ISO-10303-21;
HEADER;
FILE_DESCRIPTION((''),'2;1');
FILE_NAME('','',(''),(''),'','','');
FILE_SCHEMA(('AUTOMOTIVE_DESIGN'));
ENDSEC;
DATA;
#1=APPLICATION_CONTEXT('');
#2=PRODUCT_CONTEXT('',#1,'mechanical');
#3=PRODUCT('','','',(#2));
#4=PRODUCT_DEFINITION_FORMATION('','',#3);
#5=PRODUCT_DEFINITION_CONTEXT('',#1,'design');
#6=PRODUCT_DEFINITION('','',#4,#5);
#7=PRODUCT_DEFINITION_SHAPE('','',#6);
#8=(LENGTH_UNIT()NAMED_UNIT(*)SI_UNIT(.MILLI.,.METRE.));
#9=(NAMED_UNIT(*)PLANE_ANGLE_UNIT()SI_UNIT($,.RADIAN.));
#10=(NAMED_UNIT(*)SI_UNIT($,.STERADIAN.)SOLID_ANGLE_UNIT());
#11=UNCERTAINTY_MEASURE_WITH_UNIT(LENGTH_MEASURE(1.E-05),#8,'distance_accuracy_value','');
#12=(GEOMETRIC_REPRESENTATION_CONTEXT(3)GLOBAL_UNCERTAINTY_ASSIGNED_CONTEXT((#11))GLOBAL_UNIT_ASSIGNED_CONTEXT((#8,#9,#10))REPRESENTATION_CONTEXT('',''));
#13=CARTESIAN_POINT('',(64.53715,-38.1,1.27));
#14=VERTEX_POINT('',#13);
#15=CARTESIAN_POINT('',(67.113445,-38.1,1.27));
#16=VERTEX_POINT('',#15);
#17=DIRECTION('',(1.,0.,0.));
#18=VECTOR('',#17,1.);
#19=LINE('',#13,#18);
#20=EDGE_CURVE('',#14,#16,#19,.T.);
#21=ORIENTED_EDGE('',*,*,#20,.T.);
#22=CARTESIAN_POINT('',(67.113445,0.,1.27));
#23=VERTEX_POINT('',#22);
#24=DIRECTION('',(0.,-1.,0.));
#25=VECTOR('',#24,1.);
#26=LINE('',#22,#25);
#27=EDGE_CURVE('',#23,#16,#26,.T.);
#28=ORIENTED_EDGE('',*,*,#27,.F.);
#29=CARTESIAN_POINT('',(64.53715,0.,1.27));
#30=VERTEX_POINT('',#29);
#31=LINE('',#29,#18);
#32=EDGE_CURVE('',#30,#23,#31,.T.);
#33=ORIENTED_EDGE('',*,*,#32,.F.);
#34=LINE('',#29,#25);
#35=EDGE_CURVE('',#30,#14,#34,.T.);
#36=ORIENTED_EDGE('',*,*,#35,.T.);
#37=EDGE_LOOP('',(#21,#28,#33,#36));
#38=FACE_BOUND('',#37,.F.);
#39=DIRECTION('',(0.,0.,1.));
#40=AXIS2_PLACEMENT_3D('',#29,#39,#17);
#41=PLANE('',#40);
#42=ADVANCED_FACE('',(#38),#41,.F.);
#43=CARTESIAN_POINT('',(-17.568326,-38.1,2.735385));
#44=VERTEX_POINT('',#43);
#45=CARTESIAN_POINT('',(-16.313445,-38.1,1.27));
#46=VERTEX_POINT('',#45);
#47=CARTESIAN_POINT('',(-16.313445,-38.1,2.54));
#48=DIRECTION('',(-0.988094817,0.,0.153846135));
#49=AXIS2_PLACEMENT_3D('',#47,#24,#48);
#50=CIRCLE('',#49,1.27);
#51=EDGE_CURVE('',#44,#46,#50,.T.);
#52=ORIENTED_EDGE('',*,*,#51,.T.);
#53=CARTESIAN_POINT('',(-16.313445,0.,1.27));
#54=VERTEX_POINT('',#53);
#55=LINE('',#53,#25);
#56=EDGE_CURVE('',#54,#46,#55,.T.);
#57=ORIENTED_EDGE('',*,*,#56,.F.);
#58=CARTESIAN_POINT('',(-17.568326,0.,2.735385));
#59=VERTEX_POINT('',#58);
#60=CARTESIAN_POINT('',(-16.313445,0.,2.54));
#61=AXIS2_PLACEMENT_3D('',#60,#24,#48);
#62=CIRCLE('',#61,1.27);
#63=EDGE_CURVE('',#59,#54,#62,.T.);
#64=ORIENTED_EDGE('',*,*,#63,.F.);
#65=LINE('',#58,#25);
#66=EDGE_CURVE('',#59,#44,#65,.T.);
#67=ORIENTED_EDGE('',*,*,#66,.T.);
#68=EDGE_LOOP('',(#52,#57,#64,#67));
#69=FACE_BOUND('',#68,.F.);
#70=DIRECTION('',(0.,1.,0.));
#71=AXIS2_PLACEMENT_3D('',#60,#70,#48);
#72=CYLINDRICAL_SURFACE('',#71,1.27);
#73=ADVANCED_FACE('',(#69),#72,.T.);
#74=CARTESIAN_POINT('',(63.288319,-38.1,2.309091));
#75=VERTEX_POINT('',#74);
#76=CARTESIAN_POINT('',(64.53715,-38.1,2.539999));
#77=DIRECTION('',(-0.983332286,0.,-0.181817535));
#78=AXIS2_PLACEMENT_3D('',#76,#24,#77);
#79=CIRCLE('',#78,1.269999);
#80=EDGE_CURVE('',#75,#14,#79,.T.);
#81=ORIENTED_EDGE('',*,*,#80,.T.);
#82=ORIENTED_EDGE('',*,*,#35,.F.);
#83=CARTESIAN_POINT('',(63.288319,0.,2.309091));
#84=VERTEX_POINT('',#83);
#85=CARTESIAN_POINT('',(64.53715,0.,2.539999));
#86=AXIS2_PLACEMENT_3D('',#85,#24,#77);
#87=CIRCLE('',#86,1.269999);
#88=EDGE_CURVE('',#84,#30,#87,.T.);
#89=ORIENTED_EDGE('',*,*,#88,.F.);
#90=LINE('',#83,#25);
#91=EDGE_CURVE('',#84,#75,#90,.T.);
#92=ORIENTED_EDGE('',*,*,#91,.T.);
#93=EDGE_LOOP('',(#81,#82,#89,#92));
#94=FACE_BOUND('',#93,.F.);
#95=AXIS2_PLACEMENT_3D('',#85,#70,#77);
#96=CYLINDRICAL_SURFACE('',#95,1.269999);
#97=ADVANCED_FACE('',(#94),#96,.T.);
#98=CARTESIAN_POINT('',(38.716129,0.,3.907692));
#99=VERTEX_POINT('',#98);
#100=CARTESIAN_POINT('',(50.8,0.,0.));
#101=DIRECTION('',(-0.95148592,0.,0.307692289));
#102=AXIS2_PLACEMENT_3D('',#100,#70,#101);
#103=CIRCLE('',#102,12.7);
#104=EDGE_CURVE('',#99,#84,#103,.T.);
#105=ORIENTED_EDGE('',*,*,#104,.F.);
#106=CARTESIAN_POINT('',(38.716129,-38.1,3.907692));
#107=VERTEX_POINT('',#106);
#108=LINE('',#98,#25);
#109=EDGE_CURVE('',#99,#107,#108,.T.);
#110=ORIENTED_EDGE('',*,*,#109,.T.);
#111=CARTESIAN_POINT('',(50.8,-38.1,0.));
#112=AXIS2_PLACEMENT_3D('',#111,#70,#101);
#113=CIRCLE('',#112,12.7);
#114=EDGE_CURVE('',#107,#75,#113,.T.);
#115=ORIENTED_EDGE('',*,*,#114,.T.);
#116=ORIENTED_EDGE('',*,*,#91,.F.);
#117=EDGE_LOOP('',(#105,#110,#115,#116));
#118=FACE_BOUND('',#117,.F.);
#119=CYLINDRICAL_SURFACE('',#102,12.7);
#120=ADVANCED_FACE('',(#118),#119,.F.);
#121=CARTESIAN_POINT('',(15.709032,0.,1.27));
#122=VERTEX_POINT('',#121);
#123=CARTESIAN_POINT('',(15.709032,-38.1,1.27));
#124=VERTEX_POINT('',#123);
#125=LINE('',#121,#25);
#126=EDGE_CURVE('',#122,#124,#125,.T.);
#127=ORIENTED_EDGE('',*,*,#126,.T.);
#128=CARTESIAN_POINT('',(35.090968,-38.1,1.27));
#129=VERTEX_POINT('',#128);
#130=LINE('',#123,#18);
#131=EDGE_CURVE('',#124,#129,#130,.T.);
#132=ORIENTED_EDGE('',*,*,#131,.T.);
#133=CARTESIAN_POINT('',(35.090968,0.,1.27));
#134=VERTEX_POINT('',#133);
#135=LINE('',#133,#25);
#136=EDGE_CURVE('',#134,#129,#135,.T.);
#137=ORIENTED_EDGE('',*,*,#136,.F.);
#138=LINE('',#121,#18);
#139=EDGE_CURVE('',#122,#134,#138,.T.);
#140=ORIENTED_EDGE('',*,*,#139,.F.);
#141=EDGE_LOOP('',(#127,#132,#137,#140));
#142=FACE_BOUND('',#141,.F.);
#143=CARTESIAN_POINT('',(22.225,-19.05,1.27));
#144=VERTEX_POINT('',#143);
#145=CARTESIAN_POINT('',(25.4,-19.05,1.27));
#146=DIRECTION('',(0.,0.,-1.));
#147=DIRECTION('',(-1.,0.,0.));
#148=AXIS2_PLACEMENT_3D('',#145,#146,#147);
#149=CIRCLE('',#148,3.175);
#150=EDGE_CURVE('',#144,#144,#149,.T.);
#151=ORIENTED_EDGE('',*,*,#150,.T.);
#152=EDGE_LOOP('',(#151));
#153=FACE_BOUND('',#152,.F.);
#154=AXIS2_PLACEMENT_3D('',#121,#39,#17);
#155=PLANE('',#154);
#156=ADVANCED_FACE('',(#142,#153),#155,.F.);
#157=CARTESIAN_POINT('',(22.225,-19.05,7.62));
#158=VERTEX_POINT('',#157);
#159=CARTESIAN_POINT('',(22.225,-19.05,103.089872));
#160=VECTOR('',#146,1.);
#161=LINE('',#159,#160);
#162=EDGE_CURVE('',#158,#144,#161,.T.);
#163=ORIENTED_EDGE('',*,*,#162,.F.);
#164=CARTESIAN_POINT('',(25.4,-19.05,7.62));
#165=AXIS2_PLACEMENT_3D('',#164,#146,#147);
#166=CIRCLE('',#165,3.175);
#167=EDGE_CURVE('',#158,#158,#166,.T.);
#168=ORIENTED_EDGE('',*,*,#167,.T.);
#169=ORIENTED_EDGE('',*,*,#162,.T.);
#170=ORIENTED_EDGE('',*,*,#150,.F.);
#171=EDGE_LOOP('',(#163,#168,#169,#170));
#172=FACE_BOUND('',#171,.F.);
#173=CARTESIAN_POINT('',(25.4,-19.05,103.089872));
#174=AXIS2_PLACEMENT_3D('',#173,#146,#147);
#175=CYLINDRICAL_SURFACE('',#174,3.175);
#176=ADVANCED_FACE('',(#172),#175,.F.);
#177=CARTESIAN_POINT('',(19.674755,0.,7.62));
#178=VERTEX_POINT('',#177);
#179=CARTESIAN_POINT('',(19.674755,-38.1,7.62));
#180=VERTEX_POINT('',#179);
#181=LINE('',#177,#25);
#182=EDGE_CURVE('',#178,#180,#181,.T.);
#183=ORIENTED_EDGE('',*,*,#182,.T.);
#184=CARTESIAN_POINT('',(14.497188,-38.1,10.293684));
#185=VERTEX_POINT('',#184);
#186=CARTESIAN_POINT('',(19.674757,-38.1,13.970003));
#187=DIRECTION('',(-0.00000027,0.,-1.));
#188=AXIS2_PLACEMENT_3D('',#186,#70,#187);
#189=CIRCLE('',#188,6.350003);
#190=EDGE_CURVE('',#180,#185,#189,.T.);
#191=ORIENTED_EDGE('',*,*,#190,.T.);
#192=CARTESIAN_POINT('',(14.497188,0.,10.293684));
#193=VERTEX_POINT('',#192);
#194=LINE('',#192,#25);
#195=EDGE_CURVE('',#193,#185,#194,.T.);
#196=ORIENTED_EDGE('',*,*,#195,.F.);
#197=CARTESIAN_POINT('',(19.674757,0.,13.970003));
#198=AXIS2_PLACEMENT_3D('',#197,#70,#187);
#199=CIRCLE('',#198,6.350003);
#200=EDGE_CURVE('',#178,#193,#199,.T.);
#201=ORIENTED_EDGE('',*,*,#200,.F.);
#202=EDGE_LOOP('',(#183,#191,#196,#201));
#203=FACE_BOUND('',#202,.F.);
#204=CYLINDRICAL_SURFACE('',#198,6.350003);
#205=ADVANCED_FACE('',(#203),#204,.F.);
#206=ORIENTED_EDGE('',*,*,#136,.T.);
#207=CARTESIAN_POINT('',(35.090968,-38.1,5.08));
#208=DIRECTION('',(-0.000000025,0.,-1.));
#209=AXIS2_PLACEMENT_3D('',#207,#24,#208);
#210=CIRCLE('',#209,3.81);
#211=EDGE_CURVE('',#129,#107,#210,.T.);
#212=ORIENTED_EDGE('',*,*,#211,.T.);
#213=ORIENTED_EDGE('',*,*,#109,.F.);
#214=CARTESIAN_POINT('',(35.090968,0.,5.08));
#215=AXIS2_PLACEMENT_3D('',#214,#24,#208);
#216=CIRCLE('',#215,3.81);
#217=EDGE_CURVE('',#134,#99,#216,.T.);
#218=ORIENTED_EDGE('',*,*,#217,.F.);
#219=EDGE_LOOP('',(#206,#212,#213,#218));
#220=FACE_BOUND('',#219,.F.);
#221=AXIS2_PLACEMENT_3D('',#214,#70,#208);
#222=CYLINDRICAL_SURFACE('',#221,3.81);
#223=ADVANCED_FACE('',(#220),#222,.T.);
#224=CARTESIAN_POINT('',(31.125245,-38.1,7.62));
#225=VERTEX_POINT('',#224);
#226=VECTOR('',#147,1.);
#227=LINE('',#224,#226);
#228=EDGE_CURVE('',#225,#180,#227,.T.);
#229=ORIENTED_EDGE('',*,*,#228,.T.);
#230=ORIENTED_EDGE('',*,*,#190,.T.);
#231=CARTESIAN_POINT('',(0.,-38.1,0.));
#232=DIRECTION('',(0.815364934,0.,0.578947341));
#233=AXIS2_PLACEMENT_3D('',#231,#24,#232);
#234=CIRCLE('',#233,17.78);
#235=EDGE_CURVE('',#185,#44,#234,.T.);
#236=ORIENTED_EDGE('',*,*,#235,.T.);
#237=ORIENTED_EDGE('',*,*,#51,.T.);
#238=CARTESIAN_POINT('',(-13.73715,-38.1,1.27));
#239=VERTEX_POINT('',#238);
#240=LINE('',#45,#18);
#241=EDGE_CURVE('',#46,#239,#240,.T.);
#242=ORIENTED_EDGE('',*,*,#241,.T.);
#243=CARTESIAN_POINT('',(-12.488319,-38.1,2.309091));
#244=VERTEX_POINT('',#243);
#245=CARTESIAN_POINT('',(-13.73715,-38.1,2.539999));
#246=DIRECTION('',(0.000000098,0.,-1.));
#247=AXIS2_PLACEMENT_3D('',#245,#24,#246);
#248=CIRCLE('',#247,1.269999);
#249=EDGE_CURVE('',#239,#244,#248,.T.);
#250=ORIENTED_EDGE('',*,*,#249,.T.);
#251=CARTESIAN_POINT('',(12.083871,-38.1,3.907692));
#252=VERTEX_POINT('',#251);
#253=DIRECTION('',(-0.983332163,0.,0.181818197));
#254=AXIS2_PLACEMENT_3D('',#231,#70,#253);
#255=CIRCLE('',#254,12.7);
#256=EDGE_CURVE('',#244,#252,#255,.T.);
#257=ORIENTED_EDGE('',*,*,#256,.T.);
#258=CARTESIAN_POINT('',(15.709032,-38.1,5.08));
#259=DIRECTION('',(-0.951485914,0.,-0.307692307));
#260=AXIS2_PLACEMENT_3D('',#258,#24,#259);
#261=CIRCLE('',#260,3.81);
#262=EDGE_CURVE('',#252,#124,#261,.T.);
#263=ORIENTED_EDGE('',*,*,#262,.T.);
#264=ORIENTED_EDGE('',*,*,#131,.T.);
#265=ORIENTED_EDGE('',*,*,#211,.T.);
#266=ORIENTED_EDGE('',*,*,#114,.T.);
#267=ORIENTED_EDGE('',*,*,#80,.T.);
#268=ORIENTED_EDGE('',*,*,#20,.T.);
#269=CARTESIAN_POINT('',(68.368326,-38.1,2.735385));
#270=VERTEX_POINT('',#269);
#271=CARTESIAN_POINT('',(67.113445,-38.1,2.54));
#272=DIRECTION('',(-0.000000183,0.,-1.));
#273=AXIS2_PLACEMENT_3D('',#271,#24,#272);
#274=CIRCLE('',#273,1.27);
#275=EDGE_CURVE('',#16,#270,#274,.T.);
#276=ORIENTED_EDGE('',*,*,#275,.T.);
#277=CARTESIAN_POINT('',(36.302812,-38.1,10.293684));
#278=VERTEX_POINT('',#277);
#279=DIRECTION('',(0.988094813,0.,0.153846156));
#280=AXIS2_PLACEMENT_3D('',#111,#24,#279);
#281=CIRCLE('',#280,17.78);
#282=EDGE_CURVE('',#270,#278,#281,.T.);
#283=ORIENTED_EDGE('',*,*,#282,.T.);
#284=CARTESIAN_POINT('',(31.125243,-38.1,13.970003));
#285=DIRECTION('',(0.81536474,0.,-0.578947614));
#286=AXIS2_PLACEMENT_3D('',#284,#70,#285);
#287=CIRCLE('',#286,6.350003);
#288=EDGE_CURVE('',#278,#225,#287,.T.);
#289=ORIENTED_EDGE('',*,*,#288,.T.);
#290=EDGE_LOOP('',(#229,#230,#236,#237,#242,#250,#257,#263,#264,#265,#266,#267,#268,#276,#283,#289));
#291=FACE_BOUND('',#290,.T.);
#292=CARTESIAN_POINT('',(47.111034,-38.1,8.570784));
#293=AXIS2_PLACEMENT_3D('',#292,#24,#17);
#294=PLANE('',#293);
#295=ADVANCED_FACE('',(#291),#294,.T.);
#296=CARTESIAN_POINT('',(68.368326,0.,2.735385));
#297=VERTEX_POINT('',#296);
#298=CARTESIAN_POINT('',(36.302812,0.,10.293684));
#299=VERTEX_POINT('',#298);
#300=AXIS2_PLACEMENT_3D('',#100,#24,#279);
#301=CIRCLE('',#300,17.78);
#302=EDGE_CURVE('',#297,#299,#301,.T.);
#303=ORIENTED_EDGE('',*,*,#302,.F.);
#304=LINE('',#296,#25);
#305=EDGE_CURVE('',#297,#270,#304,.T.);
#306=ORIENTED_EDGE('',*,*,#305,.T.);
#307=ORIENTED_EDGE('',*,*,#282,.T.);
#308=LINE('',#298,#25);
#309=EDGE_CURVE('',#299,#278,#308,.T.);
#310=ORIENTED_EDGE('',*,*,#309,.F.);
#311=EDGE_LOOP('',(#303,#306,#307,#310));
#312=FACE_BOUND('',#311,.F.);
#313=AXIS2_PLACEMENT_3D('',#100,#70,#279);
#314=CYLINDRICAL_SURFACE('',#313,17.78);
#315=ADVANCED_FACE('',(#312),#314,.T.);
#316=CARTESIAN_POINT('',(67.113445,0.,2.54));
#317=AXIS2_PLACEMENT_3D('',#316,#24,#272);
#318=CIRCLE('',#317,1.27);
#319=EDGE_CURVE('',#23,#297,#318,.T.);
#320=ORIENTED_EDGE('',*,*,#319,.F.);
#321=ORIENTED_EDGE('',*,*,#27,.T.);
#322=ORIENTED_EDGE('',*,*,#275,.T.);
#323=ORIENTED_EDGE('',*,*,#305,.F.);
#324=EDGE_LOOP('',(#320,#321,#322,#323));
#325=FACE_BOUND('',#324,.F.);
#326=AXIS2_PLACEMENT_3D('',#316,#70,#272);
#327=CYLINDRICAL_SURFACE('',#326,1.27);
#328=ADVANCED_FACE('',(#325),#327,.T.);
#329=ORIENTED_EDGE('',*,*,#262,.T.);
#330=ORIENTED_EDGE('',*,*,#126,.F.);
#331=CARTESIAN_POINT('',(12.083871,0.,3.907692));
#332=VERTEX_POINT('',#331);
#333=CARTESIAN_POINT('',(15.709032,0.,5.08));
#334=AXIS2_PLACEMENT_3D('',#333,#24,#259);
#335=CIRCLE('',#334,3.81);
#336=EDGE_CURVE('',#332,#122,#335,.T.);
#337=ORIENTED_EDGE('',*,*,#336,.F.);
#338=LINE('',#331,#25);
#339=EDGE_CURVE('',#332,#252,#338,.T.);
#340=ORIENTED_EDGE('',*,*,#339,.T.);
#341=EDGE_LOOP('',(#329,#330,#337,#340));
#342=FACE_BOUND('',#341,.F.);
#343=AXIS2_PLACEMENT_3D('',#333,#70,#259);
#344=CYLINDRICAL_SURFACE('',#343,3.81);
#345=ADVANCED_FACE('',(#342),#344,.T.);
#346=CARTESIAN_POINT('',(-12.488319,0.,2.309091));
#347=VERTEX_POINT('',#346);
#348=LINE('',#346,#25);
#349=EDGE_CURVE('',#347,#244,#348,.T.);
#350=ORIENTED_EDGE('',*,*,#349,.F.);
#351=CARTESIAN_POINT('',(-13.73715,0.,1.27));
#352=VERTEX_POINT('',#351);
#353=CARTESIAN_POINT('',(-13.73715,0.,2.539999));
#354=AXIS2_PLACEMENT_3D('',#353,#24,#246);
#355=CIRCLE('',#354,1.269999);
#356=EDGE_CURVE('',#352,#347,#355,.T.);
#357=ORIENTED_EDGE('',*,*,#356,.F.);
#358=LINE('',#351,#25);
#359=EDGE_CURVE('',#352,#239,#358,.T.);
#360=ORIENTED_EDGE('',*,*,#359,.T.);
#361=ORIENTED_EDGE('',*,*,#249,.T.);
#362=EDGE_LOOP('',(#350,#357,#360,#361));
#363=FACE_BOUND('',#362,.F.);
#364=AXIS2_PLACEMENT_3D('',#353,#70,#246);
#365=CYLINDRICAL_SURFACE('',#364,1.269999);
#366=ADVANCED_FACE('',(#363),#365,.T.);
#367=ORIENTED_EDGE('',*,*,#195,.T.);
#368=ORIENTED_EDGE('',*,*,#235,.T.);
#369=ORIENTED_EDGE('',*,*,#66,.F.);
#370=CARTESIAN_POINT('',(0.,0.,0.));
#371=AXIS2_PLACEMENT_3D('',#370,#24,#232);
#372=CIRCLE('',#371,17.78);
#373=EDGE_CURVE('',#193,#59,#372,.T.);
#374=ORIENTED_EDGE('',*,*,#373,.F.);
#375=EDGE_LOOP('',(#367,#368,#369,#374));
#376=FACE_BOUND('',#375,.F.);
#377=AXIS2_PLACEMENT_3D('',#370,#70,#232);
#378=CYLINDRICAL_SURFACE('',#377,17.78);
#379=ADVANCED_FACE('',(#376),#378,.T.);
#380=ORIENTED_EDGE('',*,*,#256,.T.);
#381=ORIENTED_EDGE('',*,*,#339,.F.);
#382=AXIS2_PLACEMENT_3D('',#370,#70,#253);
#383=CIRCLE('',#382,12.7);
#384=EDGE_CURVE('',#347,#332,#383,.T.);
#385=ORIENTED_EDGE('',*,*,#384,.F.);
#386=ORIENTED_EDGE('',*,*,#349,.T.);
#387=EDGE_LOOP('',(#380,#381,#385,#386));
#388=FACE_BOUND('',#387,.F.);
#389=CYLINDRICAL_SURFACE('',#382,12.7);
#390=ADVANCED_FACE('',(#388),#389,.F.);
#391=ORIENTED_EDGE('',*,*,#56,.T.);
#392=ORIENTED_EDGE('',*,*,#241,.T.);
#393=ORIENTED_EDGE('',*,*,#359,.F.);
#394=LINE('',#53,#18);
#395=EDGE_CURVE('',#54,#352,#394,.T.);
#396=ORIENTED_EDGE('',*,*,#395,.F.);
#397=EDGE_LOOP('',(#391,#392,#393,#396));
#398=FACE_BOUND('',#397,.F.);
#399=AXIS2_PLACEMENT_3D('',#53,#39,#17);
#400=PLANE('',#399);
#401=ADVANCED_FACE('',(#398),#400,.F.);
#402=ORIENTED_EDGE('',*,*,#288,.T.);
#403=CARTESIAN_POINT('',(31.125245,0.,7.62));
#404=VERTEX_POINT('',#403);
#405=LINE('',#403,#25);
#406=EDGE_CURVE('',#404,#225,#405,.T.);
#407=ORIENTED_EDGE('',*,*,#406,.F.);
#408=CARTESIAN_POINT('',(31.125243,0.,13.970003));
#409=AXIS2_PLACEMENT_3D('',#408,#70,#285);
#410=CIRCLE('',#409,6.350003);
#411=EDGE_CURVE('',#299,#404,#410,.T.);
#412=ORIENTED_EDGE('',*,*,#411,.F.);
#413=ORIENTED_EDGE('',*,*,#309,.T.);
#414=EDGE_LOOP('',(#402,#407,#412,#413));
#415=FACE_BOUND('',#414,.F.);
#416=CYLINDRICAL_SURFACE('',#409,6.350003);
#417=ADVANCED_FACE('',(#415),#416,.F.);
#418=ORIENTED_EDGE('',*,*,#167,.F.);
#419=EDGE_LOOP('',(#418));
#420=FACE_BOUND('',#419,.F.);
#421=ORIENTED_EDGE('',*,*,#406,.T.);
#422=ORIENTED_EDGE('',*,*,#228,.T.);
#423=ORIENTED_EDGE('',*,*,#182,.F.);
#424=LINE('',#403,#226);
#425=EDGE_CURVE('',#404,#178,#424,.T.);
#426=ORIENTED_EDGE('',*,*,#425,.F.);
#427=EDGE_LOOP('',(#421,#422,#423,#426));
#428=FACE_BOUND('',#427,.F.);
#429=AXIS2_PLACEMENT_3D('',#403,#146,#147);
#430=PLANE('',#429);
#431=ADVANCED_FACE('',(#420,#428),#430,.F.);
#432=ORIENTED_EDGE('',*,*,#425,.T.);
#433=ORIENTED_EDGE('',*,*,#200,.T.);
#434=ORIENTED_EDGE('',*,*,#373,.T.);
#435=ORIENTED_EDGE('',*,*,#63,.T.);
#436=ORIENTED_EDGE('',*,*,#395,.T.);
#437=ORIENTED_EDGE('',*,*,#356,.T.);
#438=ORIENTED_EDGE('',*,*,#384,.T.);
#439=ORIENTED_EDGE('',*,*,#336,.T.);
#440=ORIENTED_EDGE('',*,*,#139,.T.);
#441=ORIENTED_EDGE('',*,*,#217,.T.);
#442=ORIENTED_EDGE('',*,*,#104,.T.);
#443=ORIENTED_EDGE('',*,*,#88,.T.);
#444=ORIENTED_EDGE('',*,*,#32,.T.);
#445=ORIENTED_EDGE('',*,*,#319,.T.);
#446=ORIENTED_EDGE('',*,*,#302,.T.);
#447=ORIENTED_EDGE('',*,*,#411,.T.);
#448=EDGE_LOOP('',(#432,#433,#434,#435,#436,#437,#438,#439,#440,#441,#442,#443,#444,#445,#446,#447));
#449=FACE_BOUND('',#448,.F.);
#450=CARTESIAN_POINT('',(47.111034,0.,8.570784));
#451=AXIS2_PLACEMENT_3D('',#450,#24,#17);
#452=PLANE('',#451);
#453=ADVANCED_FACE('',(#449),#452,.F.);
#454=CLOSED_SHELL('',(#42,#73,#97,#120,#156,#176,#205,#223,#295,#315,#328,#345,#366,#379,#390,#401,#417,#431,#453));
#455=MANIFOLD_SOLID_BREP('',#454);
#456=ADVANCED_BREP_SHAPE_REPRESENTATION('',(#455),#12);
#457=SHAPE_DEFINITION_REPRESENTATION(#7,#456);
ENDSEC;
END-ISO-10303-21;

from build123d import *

# Parameters (mm, degrees)
F1_DEPTH = 38.1
F3_D     = 6.35


with BuildPart() as f1:
    # F0 (on Front) → F1 (new body)
    with BuildSketch(Plane.XZ):
        with BuildLine():
            Line((25.4, 7.62), (25.4, 1.27))
            Line((25.4, 1.27), (35.090968, 1.27))
            ThreePointArc((35.090968, 1.27), (37.332575, 1.999205), (38.716129, 3.907692))
            ThreePointArc((38.716129, 3.907692), (51.624485, 12.673209), (63.288319, 2.309091))
            ThreePointArc((63.288319, 2.309091), (63.724856, 1.563743), (64.53715, 1.27))
            Line((64.53715, 1.27), (67.113445, 1.27))
            ThreePointArc((67.113445, 1.27), (68.07808, 1.713937), (68.368326, 2.735385))
            ThreePointArc((68.368326, 2.735385), (54.879209, 17.305735), (36.302812, 10.293684))
            ThreePointArc((36.302812, 10.293684), (34.038824, 8.327877), (31.125245, 7.62))
            Line((31.125245, 7.62), (25.4, 7.62))
        make_face()
        with BuildLine():
            ThreePointArc((-12.488319, 2.309091), (-0.824485, 12.673209), (12.083871, 3.907692))
            ThreePointArc((12.083871, 3.907692), (13.467425, 1.999205), (15.709032, 1.27))
            Line((15.709032, 1.27), (25.4, 1.27))
            Line((25.4, 1.27), (25.4, 7.62))
            Line((25.4, 7.62), (19.674755, 7.62))
            ThreePointArc((19.674755, 7.62), (16.761176, 8.327877), (14.497188, 10.293684))
            ThreePointArc((14.497188, 10.293684), (-4.079209, 17.305735), (-17.568326, 2.735385))
            ThreePointArc((-17.568326, 2.735385), (-17.27808, 1.713937), (-16.313445, 1.27))
            Line((-16.313445, 1.27), (-13.73715, 1.27))
            ThreePointArc((-13.73715, 1.27), (-12.924856, 1.563743), (-12.488319, 2.309091))
        make_face()
    extrude(amount=F1_DEPTH)

    # F3 (through all)
    with Locations(Plane.XY.offset(7.62)):
        with Locations((25.4, -19.05)):
            Hole(F3_D / 2)


solid = f1.part
